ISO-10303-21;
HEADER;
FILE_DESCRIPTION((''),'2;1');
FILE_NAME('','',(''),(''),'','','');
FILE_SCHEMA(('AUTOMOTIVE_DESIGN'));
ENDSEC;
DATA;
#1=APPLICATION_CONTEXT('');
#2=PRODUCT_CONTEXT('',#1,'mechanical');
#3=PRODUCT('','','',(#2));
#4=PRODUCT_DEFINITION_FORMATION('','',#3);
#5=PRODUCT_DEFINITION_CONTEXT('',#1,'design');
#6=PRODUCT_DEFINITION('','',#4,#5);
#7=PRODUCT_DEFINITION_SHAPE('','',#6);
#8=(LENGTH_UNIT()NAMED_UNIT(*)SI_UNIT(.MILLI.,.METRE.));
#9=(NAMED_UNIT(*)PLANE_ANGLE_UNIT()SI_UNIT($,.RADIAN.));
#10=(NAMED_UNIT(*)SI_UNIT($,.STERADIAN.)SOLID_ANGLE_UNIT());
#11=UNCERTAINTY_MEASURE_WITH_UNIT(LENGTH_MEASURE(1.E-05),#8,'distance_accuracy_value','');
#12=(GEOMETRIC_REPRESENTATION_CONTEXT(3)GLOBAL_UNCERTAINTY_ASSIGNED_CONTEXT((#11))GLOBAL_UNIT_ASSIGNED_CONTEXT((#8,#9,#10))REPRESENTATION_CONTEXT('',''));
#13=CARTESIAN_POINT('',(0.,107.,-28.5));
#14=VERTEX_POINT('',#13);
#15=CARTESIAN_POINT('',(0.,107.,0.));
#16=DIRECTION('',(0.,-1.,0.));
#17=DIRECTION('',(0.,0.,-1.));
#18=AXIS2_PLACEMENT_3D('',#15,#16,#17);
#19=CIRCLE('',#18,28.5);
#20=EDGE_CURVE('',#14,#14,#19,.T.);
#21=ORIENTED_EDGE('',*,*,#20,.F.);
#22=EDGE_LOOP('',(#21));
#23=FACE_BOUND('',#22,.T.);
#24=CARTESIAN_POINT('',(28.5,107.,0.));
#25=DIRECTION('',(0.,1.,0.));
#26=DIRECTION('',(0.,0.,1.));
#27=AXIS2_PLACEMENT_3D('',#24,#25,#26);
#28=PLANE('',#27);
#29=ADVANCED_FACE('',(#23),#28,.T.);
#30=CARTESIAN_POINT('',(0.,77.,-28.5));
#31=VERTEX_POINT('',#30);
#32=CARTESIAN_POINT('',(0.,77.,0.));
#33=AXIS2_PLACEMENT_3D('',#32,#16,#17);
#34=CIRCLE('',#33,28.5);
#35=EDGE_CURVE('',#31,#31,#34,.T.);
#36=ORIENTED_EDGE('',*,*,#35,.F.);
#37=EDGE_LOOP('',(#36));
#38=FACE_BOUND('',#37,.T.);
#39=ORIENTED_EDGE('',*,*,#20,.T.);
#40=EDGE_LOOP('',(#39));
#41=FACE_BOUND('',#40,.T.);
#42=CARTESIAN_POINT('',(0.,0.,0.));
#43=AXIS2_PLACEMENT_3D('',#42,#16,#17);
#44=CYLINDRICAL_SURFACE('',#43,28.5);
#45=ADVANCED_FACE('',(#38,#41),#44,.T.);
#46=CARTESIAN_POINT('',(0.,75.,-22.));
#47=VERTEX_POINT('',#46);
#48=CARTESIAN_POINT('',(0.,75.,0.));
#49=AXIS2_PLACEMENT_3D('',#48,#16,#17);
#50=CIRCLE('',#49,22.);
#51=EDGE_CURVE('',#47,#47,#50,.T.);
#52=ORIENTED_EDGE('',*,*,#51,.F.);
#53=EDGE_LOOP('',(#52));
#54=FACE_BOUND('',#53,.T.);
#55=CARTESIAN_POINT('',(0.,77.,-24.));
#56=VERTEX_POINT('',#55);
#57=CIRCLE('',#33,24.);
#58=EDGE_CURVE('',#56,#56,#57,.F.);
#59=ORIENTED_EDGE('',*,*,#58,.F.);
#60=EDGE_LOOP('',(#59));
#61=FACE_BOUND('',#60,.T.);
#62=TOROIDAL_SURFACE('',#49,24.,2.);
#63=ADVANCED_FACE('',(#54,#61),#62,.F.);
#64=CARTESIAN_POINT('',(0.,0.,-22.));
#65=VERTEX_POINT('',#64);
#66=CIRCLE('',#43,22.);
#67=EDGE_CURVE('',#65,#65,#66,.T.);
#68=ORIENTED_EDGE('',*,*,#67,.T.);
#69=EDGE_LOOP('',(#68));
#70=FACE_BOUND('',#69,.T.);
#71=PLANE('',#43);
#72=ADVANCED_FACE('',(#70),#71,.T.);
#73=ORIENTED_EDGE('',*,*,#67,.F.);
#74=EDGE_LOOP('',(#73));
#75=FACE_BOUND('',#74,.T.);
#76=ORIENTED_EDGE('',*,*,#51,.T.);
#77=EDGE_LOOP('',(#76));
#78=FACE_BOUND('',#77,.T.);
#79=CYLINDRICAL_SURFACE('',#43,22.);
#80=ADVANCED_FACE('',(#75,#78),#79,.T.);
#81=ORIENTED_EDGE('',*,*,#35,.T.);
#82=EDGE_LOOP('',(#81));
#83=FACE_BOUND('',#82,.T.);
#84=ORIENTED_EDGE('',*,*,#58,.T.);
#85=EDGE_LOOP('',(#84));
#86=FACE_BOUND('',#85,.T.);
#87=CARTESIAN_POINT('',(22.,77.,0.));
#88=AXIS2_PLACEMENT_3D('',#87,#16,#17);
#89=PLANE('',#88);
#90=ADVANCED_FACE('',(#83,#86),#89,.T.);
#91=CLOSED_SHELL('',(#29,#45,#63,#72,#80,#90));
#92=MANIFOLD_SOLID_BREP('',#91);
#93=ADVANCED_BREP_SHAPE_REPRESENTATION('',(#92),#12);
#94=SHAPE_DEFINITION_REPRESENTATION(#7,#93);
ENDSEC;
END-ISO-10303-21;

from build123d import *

# Parameters (mm, degrees)
FILLET1_R = 2


with BuildPart() as part:
    # Sketch1 → Revolve1 (revolve)
    with BuildSketch(Plane.XY, mode=Mode.PRIVATE) as revolve1_sk:
        Polygon((0, 0), (22, 0), (22, 77), (28.5, 77), (28.5, 107), (0, 107), align=None)
    revolve(revolve1_sk.sketch.rotate(Axis((0, 0, 0), (0, 1, 0)), 90), axis=Axis((0, 0, 0), (0, 1, 0)))  # turned: the seam where the file's is

    # Fillet1
    fillet1_edges = [part.edges().sort_by_distance(p)[0] for p in [
        (0, 77, 22),
    ]]
    fillet(fillet1_edges, radius=FILLET1_R)


solid = part.part
